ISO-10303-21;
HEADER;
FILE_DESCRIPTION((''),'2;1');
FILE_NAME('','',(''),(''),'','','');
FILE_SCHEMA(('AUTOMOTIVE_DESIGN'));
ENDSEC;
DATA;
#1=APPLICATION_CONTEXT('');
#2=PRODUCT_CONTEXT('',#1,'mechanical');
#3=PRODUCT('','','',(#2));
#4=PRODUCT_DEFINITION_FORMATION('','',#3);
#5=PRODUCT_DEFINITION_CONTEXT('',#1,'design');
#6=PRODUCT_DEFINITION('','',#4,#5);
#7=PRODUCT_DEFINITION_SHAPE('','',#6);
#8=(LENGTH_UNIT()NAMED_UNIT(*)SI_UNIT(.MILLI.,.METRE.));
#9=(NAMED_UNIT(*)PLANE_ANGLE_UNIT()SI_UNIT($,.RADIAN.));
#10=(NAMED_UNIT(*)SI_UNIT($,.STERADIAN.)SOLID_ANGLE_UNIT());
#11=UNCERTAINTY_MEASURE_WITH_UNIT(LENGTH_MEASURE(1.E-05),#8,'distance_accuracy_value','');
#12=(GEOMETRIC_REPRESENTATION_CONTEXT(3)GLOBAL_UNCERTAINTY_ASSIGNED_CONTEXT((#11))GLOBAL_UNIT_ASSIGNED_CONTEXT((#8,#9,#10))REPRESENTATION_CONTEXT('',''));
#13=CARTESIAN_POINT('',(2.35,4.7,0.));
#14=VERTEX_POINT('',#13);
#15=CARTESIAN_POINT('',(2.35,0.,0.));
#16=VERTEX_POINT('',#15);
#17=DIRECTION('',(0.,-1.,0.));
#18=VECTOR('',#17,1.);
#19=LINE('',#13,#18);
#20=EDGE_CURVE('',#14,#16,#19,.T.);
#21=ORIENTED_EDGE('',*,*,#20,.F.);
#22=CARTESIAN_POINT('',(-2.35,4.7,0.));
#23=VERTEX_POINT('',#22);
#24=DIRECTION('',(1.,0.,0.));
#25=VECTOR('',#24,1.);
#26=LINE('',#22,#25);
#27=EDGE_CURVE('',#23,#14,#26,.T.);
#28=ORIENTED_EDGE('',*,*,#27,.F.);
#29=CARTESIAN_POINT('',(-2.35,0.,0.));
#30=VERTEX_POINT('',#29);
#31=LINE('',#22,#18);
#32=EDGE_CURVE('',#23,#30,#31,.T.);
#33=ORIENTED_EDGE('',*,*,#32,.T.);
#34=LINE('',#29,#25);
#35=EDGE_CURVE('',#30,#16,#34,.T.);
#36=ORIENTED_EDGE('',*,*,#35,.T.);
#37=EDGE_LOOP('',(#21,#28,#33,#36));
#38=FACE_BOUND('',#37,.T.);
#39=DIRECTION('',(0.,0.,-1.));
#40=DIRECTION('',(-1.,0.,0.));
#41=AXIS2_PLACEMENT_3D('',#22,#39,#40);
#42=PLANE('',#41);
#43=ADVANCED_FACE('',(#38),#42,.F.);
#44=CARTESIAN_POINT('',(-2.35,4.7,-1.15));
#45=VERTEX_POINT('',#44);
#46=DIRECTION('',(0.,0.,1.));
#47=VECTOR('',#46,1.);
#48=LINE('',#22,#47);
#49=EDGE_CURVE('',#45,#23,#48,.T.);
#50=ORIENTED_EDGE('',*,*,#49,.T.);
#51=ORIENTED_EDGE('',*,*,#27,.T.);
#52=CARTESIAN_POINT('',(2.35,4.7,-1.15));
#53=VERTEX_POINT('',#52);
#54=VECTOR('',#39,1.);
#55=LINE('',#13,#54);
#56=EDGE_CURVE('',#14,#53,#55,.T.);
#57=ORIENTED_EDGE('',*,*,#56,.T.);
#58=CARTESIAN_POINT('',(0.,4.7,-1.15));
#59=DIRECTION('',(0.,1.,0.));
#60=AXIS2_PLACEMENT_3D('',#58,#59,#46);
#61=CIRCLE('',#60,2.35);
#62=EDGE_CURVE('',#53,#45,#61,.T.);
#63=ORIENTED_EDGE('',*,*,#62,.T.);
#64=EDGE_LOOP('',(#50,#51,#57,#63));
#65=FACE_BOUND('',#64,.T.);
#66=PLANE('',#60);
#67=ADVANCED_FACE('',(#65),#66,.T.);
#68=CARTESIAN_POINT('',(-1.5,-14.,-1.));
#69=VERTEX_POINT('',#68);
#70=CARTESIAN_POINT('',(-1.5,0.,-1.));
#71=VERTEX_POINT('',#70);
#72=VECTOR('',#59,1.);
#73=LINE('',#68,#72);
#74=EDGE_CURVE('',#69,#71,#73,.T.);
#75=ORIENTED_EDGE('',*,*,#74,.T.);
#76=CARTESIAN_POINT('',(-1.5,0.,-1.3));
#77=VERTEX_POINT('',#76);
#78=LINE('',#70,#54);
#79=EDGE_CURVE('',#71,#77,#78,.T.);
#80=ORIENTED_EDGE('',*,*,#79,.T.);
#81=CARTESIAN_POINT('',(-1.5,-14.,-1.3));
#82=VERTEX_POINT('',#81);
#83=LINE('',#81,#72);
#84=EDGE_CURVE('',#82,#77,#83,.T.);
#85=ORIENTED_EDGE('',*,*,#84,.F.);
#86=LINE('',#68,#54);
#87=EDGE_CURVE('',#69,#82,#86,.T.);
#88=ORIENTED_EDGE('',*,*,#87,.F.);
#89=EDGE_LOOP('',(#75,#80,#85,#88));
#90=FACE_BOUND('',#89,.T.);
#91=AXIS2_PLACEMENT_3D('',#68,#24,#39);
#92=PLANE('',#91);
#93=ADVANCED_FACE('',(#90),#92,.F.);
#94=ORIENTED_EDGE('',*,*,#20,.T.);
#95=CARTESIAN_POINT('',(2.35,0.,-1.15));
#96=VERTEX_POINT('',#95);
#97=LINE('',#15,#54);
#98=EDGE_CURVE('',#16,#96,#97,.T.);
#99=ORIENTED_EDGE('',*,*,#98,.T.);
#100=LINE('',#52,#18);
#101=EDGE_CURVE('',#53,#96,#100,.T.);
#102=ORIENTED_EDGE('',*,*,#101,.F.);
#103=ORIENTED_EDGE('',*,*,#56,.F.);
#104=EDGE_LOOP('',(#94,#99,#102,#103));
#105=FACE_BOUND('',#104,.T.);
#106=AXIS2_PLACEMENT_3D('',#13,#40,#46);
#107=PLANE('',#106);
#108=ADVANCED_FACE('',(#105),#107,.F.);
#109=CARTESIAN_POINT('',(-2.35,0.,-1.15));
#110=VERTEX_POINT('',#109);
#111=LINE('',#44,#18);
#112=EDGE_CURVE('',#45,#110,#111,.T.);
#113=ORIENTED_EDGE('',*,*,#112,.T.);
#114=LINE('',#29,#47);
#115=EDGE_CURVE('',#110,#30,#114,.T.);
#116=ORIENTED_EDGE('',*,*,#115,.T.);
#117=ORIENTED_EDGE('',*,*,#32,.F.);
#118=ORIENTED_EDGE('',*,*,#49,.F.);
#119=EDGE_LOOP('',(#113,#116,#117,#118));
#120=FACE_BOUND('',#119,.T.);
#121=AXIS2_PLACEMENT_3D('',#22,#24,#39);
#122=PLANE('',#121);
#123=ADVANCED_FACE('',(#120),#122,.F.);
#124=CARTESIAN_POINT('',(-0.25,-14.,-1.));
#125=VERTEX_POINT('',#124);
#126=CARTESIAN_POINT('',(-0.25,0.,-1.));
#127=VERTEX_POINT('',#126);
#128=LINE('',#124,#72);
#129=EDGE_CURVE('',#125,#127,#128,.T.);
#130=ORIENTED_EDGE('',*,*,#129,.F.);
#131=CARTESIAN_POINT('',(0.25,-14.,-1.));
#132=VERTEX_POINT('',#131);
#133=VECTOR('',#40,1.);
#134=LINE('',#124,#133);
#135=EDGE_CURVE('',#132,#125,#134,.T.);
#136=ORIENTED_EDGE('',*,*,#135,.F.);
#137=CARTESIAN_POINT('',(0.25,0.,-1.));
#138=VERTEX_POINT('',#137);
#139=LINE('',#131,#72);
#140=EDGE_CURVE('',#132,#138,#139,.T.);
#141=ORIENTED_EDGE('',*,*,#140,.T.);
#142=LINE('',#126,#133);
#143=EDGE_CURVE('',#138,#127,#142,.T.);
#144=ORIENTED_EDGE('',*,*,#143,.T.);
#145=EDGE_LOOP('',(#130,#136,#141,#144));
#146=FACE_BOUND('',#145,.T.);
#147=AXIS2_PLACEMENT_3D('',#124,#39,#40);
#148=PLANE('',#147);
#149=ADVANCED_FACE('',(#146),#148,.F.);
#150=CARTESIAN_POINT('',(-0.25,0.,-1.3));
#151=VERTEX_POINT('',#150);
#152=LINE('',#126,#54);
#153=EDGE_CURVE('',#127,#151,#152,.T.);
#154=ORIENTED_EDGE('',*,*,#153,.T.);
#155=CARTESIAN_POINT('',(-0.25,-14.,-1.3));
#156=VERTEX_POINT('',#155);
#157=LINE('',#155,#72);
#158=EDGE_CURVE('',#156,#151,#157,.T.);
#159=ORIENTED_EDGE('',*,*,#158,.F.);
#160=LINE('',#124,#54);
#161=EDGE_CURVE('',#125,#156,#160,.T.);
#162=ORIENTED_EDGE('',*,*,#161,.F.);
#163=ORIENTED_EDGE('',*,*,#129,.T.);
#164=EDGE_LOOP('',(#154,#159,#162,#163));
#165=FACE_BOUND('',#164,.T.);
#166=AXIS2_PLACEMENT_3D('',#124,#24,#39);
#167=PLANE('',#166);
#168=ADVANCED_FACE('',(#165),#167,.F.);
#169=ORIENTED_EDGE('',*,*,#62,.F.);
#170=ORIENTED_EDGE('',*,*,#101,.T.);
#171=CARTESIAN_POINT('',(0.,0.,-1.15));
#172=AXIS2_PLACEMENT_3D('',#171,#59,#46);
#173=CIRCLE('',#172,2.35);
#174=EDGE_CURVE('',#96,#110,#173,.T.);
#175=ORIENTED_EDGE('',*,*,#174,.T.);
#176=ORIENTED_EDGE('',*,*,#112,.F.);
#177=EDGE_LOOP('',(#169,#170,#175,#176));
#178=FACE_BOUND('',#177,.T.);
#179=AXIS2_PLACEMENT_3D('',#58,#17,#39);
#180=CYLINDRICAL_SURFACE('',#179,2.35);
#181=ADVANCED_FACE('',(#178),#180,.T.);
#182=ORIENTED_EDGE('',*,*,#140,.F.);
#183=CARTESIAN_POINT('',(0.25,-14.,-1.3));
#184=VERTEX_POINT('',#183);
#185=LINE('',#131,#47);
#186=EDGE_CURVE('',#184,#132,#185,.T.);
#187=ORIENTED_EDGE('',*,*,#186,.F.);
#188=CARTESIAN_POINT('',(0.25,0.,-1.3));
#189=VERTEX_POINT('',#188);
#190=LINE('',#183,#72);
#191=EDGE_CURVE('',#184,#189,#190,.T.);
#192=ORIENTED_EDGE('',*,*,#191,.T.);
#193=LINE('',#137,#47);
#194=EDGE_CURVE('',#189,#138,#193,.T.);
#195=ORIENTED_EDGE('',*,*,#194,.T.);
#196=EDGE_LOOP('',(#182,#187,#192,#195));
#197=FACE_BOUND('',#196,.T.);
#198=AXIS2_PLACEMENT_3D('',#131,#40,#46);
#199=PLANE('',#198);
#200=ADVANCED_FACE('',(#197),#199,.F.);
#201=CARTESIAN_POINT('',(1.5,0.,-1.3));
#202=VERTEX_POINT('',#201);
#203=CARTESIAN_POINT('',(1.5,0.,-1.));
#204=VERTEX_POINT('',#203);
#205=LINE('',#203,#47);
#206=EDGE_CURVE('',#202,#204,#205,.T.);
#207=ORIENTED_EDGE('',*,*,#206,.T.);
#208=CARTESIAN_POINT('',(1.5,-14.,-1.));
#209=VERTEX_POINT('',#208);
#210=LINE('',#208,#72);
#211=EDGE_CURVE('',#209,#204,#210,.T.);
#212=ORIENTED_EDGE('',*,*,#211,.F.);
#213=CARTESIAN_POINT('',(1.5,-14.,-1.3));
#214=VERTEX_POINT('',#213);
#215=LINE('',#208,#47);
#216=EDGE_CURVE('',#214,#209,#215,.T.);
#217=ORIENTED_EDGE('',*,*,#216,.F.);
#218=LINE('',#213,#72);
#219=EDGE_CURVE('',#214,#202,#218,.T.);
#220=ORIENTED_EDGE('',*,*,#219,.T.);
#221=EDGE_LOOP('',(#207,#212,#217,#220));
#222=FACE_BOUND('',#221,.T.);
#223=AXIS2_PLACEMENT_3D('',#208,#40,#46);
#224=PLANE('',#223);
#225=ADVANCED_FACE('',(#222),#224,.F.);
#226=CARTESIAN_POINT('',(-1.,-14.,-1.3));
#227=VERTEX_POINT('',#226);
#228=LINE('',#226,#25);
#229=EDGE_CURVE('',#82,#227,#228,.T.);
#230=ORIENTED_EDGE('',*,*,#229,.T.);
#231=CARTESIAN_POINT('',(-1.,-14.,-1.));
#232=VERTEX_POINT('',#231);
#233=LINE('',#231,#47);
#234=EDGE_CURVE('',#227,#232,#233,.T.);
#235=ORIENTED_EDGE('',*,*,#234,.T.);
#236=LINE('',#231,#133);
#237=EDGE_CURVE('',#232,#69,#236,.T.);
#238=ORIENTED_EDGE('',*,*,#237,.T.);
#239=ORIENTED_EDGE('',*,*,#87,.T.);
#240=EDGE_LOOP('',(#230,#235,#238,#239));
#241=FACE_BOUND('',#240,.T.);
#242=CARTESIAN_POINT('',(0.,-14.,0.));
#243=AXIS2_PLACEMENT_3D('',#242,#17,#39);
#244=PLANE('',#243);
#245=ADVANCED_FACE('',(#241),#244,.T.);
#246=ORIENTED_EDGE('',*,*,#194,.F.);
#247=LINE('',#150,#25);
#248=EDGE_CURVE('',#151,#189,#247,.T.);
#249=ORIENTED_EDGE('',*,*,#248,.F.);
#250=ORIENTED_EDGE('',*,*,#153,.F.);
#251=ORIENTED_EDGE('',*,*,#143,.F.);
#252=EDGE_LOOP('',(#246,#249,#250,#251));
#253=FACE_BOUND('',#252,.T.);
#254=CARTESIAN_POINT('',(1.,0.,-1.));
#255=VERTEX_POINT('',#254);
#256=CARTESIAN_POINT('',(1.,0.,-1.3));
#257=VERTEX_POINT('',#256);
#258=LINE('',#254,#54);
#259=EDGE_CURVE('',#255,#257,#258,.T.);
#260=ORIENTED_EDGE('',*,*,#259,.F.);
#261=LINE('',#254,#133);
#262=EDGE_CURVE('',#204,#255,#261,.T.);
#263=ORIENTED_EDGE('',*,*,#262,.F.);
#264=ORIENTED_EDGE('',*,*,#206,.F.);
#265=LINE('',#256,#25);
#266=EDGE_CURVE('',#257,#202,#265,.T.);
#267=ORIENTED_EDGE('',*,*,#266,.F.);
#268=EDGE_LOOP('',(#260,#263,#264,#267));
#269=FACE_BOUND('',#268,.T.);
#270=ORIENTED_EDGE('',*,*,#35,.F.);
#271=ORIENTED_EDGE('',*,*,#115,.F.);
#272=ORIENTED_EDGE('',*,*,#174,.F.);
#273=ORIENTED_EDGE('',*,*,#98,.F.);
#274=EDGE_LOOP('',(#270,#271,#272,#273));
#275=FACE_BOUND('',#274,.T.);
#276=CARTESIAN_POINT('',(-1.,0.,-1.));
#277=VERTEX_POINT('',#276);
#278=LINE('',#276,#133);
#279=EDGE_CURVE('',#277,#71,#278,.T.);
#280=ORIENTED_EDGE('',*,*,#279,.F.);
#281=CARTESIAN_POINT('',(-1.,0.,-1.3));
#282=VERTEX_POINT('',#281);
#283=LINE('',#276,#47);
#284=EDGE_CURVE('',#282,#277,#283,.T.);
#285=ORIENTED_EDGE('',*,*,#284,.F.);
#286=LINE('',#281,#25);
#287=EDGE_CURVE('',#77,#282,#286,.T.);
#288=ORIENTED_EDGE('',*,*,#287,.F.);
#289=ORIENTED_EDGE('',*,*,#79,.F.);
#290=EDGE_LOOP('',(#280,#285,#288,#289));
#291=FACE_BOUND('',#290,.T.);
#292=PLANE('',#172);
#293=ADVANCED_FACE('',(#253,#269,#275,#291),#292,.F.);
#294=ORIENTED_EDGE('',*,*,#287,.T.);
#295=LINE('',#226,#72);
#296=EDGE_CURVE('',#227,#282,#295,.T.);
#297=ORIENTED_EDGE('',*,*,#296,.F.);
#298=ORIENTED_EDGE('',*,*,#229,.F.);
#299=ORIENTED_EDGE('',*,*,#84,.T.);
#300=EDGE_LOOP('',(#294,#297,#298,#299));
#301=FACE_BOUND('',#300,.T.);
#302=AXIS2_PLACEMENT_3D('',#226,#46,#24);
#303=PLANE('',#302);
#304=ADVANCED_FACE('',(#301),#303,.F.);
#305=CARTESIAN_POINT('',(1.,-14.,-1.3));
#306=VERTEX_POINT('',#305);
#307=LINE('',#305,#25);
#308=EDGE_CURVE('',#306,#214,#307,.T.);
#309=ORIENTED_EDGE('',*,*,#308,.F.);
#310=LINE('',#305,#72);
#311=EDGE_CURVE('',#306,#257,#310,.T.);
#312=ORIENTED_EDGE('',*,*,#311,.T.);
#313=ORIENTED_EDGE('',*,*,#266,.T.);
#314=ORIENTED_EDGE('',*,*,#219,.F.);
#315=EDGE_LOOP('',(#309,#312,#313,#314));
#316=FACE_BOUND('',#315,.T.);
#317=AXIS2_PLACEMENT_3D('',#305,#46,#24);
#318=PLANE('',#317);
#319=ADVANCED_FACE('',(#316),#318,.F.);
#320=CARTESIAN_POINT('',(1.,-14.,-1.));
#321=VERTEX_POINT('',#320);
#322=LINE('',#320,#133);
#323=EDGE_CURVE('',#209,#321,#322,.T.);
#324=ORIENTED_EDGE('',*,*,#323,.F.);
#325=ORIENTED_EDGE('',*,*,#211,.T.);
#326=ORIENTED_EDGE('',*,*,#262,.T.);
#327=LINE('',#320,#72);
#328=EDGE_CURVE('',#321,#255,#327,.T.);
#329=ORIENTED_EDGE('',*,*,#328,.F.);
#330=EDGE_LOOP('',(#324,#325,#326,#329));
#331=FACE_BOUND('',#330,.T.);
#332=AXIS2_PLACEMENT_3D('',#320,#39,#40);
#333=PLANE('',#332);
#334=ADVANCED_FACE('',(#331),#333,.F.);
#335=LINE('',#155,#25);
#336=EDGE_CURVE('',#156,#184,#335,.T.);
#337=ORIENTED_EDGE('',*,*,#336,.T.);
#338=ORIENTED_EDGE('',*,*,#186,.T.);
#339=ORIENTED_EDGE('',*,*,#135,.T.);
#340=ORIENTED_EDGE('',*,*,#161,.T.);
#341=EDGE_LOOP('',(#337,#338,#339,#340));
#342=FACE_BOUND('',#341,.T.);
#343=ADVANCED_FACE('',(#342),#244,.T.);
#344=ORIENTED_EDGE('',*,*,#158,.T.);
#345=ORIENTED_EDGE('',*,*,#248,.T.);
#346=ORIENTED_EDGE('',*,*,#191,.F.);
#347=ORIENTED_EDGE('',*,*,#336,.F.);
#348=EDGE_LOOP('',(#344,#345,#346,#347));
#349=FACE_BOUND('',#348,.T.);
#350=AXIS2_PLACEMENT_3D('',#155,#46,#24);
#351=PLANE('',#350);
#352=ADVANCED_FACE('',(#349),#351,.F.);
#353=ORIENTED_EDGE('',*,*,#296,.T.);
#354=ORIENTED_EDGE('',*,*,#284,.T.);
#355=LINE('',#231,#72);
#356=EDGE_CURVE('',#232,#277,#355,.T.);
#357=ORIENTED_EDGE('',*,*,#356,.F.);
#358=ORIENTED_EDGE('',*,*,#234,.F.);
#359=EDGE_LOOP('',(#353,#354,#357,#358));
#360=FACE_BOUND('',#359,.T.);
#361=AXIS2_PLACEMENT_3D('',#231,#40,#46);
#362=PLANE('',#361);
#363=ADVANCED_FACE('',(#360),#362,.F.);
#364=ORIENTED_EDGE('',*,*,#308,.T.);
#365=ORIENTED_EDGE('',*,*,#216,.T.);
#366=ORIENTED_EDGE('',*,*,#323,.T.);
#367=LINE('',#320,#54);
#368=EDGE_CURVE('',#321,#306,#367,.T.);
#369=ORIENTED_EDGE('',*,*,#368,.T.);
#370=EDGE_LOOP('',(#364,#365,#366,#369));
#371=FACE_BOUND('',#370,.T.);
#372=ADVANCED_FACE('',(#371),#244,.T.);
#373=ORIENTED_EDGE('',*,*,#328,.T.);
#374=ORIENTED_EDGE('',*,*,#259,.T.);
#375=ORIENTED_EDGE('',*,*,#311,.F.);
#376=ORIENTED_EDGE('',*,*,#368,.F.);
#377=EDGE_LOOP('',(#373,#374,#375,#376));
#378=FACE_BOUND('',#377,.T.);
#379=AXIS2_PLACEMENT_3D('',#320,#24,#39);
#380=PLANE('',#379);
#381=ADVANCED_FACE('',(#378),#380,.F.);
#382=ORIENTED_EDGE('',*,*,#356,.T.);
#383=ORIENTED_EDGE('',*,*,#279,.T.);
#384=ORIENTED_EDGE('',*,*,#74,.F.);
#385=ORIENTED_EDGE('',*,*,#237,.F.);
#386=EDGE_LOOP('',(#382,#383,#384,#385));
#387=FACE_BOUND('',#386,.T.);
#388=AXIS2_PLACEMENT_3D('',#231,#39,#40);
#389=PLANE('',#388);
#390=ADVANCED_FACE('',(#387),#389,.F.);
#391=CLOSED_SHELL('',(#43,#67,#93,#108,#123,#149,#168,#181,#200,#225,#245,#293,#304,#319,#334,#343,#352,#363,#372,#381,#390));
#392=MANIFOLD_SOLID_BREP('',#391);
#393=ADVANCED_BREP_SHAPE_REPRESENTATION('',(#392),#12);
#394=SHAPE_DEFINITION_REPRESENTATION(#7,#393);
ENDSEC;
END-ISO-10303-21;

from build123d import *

# Parameters (mm, degrees)
EXTRUDE_1_DEPTH = 4.7
SKETCH_2_W      = 0.5
SKETCH_2_H      = 0.3
EXTRUDE_2_DEPTH = 14


with BuildPart() as part:
    # 草图1 → 凸台-拉伸1 (new body)
    with BuildSketch(Plane(origin=(0, 0, 0), x_dir=(1, 0, 0), z_dir=(0, 1, 0))):
        with BuildLine():
            Line((-2.35, 0), (2.35, 0))
            Line((2.35, 0), (2.35, 1.15))
            ThreePointArc((2.35, 1.15), (0, 3.5), (-2.35, 1.15))
            Line((-2.35, 1.15), (-2.35, 0))
        make_face()
    extrude(amount=EXTRUDE_1_DEPTH)

    # 草图2 → 凸台-拉伸2 (add)
    with BuildSketch(Plane.XZ):
        with Locations((1.25, -1.15)):
            Rectangle(SKETCH_2_W, SKETCH_2_H)
        with Locations((0, -1.15)):
            Rectangle(SKETCH_2_W, SKETCH_2_H)
        with Locations((-1.25, -1.15)):
            Rectangle(SKETCH_2_W, SKETCH_2_H)
    extrude(amount=EXTRUDE_2_DEPTH)


solid = part.part
